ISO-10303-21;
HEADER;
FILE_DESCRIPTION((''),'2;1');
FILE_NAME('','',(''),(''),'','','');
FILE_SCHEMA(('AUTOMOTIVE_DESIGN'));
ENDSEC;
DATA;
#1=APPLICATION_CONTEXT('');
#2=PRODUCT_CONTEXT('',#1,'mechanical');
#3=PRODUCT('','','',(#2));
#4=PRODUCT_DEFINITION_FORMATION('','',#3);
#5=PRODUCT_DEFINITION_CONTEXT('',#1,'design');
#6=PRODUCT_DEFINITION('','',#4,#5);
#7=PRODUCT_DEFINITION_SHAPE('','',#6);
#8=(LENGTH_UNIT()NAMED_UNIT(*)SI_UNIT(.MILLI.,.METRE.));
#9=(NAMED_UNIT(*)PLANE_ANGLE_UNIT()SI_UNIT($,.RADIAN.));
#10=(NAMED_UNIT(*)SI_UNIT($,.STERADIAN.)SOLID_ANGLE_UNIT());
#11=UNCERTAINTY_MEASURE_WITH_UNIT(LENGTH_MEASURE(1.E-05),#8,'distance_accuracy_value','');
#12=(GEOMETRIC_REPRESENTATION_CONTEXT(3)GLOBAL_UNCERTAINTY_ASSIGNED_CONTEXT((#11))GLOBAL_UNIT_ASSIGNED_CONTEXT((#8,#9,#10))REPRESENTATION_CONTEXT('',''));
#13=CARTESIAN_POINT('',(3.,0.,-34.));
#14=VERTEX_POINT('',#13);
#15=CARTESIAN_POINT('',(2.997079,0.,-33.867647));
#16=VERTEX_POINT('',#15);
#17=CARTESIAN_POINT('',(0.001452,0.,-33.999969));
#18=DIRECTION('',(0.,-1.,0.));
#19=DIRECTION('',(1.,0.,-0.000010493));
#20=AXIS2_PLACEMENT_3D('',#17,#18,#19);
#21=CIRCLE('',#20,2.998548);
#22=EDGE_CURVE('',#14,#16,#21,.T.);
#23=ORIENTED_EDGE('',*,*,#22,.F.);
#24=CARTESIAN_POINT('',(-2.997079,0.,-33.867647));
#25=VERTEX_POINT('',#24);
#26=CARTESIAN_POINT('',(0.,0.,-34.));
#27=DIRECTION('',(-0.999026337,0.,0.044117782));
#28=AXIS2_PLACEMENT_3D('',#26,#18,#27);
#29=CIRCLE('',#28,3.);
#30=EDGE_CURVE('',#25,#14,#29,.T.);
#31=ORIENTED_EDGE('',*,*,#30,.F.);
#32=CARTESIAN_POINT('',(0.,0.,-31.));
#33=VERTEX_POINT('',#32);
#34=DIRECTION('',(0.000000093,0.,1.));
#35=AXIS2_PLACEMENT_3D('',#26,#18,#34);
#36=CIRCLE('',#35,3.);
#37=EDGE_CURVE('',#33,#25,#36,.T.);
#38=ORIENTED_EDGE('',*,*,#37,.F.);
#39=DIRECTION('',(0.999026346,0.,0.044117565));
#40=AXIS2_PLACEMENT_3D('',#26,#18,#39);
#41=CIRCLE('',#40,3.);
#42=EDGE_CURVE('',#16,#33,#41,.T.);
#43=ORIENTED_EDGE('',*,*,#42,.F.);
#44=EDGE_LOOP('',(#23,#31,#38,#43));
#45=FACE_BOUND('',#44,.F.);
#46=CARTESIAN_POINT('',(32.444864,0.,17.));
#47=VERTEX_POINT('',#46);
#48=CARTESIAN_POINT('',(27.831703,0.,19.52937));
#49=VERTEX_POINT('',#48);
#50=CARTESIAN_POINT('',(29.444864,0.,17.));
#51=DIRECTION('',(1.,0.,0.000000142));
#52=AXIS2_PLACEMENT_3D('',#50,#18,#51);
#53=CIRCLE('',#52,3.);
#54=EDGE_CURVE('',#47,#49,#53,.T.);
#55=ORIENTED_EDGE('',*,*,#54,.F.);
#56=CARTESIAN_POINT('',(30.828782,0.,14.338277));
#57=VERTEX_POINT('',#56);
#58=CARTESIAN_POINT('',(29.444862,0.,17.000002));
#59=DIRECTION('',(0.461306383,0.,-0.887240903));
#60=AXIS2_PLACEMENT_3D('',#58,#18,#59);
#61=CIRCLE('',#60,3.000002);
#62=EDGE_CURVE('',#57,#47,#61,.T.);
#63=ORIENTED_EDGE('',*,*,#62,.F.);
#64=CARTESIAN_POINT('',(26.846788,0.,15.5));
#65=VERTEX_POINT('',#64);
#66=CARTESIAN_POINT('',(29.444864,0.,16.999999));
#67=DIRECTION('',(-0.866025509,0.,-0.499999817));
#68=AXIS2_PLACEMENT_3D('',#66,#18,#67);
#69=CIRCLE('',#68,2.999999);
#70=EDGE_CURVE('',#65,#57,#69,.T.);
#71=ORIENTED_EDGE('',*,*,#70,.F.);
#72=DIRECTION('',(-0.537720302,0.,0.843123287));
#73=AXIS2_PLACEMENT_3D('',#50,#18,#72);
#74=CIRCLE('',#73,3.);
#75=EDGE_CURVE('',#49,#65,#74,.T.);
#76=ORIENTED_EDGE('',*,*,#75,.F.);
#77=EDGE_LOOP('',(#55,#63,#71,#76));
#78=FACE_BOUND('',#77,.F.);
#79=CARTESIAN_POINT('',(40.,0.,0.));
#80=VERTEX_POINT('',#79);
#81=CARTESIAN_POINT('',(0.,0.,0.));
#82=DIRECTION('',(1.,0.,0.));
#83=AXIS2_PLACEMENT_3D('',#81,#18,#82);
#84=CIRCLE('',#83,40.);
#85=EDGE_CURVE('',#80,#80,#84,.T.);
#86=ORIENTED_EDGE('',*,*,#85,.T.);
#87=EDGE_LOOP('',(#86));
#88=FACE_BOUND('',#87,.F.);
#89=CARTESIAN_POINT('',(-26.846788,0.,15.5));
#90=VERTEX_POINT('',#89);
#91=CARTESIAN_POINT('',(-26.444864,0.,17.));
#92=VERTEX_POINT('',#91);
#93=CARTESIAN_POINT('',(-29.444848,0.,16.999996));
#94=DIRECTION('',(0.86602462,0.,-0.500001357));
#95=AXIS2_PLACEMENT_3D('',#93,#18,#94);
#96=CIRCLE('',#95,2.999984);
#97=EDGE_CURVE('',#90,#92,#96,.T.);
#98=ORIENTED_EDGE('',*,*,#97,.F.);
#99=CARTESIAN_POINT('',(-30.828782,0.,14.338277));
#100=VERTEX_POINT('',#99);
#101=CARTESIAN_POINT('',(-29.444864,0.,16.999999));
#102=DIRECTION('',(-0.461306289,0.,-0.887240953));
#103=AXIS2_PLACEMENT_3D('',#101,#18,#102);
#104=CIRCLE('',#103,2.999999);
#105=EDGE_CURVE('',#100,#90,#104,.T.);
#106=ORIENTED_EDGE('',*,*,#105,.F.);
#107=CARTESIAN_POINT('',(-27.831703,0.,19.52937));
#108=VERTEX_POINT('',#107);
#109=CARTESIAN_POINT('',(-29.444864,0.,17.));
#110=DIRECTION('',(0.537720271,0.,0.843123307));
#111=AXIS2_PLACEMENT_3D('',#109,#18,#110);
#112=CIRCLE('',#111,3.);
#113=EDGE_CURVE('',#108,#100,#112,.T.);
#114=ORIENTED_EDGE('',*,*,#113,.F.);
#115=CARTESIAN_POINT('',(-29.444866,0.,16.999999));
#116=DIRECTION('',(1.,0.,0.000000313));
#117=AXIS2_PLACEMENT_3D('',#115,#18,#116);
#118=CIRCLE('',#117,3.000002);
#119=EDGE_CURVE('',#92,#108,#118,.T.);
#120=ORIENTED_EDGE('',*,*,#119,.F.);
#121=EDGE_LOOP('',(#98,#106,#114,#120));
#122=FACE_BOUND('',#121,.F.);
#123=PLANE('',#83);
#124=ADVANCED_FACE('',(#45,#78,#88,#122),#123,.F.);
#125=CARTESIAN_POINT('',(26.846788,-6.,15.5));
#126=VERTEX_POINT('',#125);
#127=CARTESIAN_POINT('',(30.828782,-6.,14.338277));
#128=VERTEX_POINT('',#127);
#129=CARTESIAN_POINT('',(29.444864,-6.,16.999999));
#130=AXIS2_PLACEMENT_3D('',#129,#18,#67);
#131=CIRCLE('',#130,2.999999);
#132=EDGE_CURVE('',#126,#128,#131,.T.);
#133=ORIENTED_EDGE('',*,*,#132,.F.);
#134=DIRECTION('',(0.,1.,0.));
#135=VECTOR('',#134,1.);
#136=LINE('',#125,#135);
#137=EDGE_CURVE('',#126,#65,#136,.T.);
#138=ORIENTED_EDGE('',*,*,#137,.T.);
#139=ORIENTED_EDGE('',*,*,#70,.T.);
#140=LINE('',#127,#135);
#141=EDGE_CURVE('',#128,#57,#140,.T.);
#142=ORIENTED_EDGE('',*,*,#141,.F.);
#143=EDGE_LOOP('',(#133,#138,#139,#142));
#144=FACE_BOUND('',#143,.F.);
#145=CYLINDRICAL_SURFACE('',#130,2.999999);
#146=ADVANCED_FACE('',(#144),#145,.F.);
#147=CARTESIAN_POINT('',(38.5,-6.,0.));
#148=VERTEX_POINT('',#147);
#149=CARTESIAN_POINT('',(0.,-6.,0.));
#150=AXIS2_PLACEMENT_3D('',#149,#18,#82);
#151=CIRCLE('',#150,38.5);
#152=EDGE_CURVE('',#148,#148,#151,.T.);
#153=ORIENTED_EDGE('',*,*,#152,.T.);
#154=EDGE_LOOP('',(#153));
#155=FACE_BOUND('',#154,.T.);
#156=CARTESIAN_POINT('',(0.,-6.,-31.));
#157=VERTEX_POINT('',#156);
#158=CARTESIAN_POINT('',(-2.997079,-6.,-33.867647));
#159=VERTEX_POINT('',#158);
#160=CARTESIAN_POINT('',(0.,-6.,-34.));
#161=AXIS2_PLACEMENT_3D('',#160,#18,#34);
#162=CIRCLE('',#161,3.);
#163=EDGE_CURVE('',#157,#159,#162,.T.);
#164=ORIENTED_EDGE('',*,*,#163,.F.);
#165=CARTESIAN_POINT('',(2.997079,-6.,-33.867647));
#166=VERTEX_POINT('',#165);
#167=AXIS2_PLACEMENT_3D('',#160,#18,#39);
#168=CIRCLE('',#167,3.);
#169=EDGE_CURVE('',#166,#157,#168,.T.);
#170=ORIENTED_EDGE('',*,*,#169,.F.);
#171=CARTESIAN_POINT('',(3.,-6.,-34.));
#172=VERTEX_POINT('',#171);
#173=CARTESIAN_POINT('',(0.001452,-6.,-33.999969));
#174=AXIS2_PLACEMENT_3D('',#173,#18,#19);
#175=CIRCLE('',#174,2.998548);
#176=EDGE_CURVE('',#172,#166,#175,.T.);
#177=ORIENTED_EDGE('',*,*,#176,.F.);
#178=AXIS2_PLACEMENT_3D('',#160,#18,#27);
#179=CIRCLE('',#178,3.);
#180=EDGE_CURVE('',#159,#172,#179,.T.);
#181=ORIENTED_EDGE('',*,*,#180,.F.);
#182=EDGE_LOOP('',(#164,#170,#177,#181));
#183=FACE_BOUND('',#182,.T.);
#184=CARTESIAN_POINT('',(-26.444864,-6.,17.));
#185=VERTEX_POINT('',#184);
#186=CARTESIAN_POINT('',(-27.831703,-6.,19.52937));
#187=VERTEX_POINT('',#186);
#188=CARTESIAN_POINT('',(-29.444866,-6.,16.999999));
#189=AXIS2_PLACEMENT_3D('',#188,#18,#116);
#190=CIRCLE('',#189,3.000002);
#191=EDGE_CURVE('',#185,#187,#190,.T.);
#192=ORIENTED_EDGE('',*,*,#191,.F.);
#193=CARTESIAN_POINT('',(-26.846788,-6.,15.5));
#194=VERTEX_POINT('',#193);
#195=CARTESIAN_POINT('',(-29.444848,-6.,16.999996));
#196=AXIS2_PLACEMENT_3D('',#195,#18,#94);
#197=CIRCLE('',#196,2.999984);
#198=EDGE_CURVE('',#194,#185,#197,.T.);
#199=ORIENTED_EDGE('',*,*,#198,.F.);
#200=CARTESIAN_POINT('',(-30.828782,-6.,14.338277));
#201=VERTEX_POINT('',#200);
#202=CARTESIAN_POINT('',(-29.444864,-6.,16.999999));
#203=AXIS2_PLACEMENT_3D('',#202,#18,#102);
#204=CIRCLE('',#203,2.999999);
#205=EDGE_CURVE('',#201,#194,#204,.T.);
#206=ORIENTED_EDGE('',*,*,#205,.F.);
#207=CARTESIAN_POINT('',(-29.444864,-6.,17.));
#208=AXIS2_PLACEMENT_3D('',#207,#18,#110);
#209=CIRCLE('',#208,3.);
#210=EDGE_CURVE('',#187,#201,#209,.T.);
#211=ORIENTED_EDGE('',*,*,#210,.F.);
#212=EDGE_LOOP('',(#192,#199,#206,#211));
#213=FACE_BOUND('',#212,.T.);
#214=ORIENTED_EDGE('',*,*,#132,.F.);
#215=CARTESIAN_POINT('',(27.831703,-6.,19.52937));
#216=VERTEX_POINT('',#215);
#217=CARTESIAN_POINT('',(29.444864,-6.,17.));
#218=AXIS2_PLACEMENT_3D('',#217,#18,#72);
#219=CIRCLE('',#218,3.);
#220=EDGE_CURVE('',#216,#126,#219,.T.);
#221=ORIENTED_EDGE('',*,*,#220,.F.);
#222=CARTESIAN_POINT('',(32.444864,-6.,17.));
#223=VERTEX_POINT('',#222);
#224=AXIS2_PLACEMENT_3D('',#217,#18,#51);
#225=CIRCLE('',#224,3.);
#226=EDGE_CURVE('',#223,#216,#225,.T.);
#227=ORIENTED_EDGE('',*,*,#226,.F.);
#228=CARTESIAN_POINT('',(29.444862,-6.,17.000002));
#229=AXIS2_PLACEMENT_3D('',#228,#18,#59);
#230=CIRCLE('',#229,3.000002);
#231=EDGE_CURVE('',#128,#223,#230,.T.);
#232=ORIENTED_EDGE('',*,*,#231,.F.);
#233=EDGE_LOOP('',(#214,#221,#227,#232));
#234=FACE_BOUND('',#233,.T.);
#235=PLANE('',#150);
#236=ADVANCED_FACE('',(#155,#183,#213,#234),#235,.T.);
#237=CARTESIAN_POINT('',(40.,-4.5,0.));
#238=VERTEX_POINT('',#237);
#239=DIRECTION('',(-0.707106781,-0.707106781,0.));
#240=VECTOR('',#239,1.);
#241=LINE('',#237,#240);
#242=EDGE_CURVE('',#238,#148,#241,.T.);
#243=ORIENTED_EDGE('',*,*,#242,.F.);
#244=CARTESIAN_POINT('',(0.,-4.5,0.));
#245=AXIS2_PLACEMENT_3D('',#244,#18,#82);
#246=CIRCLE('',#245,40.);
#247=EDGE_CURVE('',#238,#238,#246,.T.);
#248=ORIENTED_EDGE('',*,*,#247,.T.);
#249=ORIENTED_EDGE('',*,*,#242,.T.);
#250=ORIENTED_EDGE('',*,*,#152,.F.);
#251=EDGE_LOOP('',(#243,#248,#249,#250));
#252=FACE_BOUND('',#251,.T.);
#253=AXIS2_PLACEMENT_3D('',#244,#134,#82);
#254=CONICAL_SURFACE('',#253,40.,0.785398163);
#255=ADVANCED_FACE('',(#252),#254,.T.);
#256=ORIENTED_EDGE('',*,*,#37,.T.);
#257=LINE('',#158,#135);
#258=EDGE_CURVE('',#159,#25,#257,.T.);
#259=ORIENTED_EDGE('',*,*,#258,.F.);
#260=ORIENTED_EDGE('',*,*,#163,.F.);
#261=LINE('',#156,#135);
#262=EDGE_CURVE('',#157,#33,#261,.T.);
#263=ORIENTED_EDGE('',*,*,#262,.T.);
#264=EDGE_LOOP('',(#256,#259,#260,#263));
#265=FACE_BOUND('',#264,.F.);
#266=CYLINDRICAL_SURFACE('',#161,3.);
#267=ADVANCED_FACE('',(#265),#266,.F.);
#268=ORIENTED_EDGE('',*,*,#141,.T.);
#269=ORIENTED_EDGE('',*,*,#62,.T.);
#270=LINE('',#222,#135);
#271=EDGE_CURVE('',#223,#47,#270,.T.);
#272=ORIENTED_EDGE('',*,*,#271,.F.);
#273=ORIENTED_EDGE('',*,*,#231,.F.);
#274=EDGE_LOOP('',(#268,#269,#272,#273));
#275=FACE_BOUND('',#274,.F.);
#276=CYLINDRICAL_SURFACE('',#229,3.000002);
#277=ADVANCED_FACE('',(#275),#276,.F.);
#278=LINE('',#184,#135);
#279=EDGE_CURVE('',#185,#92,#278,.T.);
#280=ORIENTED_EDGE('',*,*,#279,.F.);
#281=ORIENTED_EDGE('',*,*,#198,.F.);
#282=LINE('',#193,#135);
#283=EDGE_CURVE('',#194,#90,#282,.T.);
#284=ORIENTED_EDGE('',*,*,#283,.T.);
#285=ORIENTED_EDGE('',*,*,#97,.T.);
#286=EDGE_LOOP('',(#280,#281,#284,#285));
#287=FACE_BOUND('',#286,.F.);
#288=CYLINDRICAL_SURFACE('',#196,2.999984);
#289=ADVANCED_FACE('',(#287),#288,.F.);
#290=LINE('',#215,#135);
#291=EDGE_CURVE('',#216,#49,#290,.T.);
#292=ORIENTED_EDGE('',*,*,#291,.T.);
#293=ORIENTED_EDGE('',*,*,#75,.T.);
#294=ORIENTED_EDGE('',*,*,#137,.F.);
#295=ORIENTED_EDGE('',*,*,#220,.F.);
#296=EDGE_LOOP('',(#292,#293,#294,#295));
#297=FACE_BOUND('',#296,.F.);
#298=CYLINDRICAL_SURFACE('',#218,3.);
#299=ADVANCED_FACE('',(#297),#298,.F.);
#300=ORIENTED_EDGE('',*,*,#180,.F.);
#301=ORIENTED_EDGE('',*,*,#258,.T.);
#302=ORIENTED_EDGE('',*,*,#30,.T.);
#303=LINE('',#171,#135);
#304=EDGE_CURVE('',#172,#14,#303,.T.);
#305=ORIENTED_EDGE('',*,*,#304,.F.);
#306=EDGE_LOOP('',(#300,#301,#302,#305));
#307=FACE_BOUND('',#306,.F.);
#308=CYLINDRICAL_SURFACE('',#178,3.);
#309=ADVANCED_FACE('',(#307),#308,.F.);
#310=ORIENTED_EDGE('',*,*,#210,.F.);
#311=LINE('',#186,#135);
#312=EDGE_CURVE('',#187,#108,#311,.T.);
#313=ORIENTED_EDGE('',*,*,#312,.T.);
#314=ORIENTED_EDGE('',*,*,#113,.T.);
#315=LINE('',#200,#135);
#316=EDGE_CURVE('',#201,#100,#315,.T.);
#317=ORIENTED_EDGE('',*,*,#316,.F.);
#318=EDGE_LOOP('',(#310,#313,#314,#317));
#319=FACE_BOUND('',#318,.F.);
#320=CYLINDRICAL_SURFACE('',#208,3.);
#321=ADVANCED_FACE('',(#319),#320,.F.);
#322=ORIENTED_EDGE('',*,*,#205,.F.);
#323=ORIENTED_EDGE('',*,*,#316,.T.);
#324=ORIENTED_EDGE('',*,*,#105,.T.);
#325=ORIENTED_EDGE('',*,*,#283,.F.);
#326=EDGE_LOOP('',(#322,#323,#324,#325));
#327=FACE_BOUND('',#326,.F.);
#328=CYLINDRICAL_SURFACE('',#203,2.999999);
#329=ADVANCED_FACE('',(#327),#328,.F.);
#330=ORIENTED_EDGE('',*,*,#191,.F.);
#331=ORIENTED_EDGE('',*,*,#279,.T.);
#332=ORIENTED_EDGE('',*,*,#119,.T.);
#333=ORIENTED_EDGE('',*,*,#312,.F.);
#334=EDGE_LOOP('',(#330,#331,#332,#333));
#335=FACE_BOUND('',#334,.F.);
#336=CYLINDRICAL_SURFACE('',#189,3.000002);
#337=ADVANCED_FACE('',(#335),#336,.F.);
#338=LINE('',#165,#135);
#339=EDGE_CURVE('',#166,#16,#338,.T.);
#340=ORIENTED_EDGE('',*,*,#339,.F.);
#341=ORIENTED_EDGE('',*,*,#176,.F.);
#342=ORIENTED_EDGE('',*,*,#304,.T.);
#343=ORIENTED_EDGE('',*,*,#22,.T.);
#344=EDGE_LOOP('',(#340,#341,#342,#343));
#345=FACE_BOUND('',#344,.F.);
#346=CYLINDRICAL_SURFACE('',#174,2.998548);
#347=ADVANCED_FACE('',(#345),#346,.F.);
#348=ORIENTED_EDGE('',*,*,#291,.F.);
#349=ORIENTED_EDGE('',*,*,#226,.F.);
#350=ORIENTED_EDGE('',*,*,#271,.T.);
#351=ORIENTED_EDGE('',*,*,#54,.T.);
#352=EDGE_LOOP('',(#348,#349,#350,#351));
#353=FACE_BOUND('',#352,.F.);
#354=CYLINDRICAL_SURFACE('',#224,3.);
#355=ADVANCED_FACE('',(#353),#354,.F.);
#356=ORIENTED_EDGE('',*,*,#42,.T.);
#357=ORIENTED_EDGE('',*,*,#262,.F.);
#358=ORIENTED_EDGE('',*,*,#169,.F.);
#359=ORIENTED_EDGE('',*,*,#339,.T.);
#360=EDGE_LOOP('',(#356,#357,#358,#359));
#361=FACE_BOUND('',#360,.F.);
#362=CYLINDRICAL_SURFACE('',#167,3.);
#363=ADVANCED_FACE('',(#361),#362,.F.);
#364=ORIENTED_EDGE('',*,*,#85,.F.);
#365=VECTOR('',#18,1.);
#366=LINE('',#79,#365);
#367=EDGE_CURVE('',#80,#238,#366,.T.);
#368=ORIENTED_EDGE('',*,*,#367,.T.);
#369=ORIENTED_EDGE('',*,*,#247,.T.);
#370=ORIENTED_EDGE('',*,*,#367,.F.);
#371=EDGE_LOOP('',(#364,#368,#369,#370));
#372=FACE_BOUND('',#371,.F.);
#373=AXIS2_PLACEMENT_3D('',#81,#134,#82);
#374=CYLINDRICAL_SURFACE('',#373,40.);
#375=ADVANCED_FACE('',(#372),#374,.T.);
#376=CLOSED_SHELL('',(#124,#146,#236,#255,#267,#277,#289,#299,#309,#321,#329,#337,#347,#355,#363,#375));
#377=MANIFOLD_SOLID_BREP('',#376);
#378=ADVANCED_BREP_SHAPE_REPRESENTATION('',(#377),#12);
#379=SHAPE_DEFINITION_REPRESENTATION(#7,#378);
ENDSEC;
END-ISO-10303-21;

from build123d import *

# Parameters (mm, degrees)
F0_R     = 40
F1_DEPTH = 6
F2_SIZE  = 1.5
F4_DEPTH = 25


with BuildPart() as f1:
    # F0 (on Front) → F1 (new body)
    with BuildSketch(Plane.XZ):
        Circle(F0_R)
    extrude(amount=F1_DEPTH)

    # F2
    f2_edges = [f1.edges().sort_by_distance(p)[0] for p in [
        (-40, -6, 0),
    ]]
    chamfer(f2_edges, length=F2_SIZE)

    # F3 (on face) → F4 (cut)
    with BuildSketch(Plane.XZ.offset(6)):
        with BuildLine():
            ThreePointArc((-29.444864, 17), (-28.666195, 18.282486), (-27.831703, 19.52937))
            ThreePointArc((-27.831703, 19.52937), (-32.04294, 18.5), (-30.828782, 14.338277))
            ThreePointArc((-30.828782, 14.338277), (-30.166195, 15.68441), (-29.444864, 17))
        make_face()
        with BuildLine():
            ThreePointArc((-30.828782, 14.338277), (-28.604658, 14.12006), (-26.846788, 15.5))
            Line((-26.846788, 15.5), (-29.444864, 17))
            ThreePointArc((-29.444864, 17), (-30.166195, 15.68441), (-30.828782, 14.338277))
        make_face()
        with BuildLine():
            ThreePointArc((-26.444864, 17), (-26.814324, 18.44231), (-27.831703, 19.52937))
            ThreePointArc((-27.831703, 19.52937), (-28.666195, 18.282486), (-29.444864, 17))
            Line((-29.444864, 17), (-26.846788, 15.5))
            ThreePointArc((-26.846788, 15.5), (-26.547086, 16.223543), (-26.444864, 17))
        make_face()
        with BuildLine():
            ThreePointArc((29.444864, 17), (30.166195, 15.68441), (30.828782, 14.338277))
            ThreePointArc((30.828782, 14.338277), (32.009211, 15.443041), (32.444864, 17))
            ThreePointArc((32.444864, 17), (30.887174, 19.63054), (27.831703, 19.52937))
            ThreePointArc((27.831703, 19.52937), (28.666195, 18.282486), (29.444864, 17))
        make_face()
        with BuildLine():
            ThreePointArc((26.846788, 15.5), (28.604658, 14.12006), (30.828782, 14.338277))
            ThreePointArc((30.828782, 14.338277), (30.166195, 15.68441), (29.444864, 17))
            Line((29.444864, 17), (26.846788, 15.5))
        make_face()
        with BuildLine():
            Line((26.846788, 15.5), (29.444864, 17))
            ThreePointArc((29.444864, 17), (28.666195, 18.282486), (27.831703, 19.52937))
            ThreePointArc((27.831703, 19.52937), (26.53066, 17.712331), (26.846788, 15.5))
        make_face()
        with BuildLine():
            ThreePointArc((-2.997079, -33.867647), (-1.5, -33.966896), (0, -34))
            Line((0, -34), (0, -31))
            ThreePointArc((0, -31), (-2.073999, -31.832391), (-2.997079, -33.867647))
        make_face()
        with BuildLine():
            ThreePointArc((0, -34), (1.5, -33.966896), (2.997079, -33.867647))
            ThreePointArc((2.997079, -33.867647), (2.073999, -31.832391), (0, -31))
            Line((0, -31), (0, -34))
        make_face()
        with BuildLine():
            ThreePointArc((3, -34), (2.99927, -33.933807), (2.997079, -33.867647))
            ThreePointArc((2.997079, -33.867647), (1.5, -33.966896), (0, -34))
            ThreePointArc((0, -34), (-1.5, -33.966896), (-2.997079, -33.867647))
            ThreePointArc((-2.997079, -33.867647), (-0.066193, -36.99927), (3, -34))
        make_face()
    extrude(amount=-F4_DEPTH, mode=Mode.SUBTRACT)


solid = f1.part
